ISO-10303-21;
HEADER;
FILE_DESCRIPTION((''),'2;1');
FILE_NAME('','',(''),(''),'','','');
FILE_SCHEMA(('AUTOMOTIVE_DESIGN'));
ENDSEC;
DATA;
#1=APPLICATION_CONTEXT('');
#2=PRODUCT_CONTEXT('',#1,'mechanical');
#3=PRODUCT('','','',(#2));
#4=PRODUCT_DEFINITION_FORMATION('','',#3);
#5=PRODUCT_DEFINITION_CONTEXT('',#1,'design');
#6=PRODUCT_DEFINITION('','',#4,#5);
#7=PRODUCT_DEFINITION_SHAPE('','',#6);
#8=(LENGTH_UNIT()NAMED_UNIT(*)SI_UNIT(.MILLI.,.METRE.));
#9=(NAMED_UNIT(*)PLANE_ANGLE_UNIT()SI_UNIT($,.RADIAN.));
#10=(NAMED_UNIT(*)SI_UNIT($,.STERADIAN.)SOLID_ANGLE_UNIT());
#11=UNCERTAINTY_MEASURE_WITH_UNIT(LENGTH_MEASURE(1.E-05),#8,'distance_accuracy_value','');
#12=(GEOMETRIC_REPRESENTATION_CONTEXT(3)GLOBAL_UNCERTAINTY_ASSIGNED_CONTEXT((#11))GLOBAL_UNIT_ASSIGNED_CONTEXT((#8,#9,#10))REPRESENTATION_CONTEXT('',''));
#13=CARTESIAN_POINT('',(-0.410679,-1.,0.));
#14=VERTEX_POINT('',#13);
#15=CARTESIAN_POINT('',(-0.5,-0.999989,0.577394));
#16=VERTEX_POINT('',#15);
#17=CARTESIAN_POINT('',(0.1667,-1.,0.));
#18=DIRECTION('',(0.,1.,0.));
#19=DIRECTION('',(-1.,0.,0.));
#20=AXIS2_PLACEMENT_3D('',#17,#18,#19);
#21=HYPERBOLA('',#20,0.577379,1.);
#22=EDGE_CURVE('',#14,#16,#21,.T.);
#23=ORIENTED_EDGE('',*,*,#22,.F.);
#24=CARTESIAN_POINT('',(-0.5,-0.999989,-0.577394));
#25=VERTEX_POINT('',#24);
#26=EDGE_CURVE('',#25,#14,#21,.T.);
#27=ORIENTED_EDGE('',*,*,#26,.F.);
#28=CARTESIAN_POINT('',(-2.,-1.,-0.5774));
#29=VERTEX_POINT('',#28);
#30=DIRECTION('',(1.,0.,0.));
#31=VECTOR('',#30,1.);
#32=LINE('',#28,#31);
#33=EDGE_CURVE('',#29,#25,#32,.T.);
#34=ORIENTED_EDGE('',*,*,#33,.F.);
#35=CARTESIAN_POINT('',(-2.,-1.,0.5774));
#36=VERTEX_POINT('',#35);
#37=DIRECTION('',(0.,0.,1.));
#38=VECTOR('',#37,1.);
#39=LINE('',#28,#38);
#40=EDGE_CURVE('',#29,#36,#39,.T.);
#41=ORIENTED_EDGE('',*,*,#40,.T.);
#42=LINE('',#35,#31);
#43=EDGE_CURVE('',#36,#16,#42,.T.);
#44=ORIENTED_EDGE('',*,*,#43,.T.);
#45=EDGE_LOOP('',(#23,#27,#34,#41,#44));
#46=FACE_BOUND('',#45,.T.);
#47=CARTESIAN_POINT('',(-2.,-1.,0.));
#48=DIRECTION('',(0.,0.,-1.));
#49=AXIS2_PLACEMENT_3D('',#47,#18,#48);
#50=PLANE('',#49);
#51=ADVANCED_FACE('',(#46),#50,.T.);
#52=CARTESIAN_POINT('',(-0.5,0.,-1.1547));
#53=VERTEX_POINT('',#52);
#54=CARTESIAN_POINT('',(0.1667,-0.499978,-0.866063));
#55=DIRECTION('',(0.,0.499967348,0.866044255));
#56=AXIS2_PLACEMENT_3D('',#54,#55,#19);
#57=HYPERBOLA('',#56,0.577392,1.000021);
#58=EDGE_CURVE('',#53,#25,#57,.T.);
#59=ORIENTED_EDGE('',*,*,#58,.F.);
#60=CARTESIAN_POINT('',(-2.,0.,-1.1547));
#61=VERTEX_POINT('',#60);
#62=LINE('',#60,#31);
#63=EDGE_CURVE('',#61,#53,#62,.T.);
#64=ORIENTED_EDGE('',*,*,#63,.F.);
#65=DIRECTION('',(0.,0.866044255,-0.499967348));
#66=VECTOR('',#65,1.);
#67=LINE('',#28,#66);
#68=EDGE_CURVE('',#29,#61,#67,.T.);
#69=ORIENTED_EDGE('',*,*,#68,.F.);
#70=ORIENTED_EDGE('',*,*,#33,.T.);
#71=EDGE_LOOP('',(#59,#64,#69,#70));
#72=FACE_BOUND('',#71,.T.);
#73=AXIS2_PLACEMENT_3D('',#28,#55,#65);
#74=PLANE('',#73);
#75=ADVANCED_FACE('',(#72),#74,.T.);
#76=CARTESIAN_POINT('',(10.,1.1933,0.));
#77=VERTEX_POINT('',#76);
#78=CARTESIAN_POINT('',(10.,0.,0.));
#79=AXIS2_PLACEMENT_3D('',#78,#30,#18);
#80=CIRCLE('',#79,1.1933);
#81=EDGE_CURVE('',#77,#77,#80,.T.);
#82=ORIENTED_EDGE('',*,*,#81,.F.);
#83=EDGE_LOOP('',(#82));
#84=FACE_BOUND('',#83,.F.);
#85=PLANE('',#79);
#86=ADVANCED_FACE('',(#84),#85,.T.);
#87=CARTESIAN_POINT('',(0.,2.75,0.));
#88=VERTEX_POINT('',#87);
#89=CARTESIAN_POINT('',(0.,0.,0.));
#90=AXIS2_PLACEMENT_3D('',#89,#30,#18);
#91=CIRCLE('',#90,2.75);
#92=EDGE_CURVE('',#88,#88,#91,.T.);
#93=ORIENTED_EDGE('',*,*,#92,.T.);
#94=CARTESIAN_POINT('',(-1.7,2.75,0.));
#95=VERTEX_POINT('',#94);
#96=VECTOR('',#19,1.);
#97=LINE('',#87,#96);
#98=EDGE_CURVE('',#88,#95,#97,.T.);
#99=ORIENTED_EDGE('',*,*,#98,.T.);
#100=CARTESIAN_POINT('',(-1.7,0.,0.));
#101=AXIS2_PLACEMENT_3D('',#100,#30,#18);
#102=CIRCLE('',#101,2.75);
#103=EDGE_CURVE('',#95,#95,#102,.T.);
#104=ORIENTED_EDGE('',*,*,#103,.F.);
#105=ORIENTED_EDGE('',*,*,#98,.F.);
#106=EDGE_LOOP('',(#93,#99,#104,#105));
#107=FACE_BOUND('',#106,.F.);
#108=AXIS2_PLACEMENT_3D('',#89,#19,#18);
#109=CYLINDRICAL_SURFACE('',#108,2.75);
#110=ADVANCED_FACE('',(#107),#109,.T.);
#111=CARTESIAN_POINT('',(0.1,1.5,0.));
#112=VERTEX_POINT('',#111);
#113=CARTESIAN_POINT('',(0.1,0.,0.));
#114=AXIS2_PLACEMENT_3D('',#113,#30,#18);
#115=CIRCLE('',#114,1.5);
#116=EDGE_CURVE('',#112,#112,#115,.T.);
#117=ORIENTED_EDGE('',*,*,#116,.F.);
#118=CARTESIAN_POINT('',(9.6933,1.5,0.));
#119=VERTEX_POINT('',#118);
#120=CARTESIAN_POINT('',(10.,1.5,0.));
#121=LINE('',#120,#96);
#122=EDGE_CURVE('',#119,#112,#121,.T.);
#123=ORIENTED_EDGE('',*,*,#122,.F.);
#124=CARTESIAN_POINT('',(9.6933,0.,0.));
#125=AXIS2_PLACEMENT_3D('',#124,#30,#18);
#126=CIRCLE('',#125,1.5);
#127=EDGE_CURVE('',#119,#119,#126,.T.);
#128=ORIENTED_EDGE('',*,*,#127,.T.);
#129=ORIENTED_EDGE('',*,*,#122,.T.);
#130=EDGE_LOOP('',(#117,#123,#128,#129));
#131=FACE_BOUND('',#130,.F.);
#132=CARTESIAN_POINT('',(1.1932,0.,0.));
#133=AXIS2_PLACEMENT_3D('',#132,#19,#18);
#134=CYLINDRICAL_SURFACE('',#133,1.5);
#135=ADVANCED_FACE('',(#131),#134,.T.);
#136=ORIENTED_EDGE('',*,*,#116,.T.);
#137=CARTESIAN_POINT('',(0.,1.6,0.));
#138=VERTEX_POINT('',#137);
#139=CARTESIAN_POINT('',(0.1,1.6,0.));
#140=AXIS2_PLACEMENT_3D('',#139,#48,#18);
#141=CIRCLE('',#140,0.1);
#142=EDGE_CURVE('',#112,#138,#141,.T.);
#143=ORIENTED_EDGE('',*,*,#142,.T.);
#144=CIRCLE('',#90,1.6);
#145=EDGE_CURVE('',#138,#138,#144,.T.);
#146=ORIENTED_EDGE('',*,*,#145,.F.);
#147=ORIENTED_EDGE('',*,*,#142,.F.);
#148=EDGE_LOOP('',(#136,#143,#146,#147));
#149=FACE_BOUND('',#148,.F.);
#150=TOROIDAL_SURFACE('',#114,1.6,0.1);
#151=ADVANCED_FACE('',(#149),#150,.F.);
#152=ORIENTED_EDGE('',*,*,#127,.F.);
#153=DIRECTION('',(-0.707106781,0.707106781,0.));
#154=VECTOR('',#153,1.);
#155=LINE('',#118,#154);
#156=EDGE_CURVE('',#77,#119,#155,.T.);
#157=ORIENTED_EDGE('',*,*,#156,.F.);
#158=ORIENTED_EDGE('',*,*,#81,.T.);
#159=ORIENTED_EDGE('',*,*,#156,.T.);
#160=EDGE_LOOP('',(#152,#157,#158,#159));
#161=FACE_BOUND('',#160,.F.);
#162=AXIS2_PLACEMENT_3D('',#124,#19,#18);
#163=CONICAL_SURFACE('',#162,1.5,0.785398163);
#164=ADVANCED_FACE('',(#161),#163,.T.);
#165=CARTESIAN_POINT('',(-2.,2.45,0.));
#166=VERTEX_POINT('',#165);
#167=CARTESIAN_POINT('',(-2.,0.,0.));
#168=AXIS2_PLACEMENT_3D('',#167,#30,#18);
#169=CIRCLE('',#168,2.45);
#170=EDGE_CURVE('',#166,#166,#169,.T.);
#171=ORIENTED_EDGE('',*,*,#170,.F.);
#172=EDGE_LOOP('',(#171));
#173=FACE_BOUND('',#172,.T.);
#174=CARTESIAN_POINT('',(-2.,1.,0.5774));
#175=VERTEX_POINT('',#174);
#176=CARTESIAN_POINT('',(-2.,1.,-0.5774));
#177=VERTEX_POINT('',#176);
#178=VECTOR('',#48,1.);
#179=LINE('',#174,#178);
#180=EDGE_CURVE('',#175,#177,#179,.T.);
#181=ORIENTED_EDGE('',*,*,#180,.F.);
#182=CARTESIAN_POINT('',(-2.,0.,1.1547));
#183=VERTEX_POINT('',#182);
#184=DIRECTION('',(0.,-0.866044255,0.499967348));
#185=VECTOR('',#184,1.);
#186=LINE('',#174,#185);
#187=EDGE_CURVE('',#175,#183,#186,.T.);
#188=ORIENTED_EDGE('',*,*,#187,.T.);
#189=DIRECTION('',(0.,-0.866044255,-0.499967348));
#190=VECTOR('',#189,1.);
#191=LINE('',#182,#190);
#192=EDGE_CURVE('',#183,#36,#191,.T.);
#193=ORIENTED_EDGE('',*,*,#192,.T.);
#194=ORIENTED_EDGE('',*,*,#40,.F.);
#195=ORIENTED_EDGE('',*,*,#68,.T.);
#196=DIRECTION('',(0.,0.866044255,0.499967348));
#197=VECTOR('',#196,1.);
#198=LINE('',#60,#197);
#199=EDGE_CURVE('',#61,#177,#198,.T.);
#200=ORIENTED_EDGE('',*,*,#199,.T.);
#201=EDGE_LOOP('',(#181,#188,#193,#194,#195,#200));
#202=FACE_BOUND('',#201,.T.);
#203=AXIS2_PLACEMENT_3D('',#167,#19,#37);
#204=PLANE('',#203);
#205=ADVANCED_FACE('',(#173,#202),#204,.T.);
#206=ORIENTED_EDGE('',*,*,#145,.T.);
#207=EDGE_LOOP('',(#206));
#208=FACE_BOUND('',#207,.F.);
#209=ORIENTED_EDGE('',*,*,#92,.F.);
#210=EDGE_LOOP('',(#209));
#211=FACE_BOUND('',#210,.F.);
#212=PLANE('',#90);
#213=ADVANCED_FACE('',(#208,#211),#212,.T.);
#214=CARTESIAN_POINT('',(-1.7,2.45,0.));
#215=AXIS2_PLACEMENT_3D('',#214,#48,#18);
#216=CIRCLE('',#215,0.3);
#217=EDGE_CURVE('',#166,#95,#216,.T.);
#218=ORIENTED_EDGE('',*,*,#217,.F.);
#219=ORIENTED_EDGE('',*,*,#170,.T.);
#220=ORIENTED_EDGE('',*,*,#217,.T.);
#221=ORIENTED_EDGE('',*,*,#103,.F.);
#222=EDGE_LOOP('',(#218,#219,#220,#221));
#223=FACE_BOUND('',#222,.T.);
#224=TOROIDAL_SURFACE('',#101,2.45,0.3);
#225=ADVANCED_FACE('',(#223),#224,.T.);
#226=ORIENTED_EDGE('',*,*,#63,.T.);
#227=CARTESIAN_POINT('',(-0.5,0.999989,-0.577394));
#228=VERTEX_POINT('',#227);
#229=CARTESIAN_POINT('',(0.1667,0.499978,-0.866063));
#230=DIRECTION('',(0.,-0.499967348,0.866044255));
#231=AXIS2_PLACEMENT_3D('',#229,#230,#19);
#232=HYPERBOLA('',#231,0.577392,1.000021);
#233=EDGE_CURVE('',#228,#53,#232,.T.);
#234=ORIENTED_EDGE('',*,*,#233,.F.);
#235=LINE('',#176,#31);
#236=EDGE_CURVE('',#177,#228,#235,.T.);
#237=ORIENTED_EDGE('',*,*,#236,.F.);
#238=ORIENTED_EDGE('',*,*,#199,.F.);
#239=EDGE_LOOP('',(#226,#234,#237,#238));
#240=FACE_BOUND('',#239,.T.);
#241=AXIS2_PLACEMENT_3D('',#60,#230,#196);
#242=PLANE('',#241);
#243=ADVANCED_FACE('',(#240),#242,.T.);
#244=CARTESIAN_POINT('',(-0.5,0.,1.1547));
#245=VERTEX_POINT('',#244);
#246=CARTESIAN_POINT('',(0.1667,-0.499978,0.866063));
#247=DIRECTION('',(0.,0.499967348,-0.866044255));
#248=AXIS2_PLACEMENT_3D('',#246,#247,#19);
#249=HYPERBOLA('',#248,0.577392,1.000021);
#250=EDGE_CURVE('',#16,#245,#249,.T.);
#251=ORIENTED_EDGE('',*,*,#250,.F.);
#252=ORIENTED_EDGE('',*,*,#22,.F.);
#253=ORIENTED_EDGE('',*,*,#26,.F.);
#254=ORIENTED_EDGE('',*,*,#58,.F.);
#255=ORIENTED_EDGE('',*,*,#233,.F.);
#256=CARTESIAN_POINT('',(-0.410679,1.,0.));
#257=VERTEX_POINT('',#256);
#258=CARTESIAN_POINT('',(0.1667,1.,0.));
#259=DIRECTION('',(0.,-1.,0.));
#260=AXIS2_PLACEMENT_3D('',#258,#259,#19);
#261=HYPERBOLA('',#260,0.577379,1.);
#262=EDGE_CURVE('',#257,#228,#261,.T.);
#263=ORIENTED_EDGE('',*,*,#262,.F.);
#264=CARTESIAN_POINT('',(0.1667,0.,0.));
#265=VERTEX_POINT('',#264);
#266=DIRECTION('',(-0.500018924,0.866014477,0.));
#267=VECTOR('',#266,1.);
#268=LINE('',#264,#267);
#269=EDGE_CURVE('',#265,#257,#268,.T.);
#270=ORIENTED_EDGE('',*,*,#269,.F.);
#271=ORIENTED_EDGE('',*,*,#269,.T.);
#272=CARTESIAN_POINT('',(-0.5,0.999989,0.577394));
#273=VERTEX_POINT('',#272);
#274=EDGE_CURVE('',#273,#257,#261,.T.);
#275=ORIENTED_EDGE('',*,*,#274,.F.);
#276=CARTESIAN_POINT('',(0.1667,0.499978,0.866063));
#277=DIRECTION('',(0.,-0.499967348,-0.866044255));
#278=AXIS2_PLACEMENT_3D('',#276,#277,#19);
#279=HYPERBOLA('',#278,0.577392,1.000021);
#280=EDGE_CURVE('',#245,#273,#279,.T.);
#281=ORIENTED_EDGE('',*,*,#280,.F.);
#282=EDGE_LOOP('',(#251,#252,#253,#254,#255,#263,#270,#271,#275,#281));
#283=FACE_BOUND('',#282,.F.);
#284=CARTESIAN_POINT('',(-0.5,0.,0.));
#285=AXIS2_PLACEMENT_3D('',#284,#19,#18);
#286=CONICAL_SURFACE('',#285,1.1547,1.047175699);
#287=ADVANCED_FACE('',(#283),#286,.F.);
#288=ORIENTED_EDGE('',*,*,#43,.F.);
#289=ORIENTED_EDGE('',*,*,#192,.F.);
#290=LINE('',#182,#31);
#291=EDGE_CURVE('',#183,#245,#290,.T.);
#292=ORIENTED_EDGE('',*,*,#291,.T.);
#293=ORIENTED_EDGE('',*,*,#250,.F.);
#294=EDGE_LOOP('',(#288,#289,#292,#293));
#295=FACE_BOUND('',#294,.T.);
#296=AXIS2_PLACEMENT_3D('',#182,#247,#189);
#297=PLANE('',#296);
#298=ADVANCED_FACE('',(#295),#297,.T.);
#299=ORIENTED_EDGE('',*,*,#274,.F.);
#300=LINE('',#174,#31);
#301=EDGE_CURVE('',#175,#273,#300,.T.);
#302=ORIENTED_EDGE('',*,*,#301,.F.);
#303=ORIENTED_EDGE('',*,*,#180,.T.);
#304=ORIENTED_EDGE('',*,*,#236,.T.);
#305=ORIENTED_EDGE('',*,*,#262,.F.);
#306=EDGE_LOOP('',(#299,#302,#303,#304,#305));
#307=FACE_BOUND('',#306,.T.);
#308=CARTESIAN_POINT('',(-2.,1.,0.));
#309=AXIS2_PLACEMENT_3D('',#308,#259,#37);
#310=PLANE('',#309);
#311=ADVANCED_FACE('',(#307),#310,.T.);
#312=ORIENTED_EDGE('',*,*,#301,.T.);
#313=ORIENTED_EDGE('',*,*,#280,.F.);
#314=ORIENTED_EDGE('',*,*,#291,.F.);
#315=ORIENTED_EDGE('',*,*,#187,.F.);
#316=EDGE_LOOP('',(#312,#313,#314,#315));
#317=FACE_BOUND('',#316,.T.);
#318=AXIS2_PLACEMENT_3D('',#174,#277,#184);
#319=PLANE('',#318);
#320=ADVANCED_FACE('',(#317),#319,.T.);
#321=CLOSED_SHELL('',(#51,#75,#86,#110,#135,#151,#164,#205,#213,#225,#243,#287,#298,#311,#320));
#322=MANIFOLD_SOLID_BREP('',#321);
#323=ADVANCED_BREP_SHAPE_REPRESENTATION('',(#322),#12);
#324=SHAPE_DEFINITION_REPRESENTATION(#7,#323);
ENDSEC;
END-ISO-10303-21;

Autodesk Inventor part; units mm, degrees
ref_plane "YZ Plane" through (0, 0, 0) normal (1, 0, 0) x (0, 1, 0)
ref_plane "XZ Plane" through (0, 0, 0) normal (0, 1, 0) x (-1, 0, 0)
sketch "Skizze1" plane through (0, 0, 0) normal (0, 0, 1) x (1, 0, 0)
  line L0 (0.1667, 0) -> (10, 0)
  line L1 (10, 0) -> (10, 1.5)
  line L2 (10, 1.5) -> (1.5, 1.5)
  line L3 (1.5, 1.5) -> (1.1932, 1.5)
  line L4 (1.1932, 1.5) -> (0, 1.5)
  line L5 (0, 1.5) -> (0, 2.75)
  line L6 (0, 2.75) -> (-2, 2.75)
  line L7 (-2, 2.75) -> (-2, 1.1547)
  line L8 (-2, 1.1547) -> (-0.5, 1.1547)
  line L9 (-0.5, 1.1547) -> (0.1667, 0)
  line L10 (-4.4, 0) -> (12.4, 0) projected
  line L11 (0, -0.55) -> (0, 3.3) projected
  line L12 (1.5, 1.5) -> (0, 1.5) construction
  dimension "d1" = 8.5
  dimension "d2" = 0.3068
  dimension "d3" = 2
  dimension "d4" = 1.5
  dimension "d5" = 60
  dimension "d6" = 3
  dimension "d7" = 3
  dimension "d8" = 2.3094
  dimension "d9" = 5.5
  dimension "d26" = 10
revolve "Körper" add sketch "Skizze1" angle 360 about axis through (0.1667, 0, 0) along (1, 0, 0) contours L9 L11 L4 L3 L2 L1 L0 | L9 L8 L7 L6 L5 L11
sketch "Skizze2" plane through (-2, 0, 0) normal (-1, 0, 0) x (0, 0, 1)
  circle A0 centre (0, 0) radius 1.1547 projected
  line L0 (0, -3.85) -> (0, 3.85) projected
  line L1 (-3.85, 0) -> (3.85, 0) projected
  line L2 (1.1547, 0) -> (0.5774, -1)
  line L3 (0.5774, -1) -> (-0.5774, -1)
  line L4 (-0.5774, -1) -> (-1.1547, 0)
  line L5 (-1.1547, 0) -> (-0.5774, 1)
  line L6 (-0.5774, 1) -> (0.5774, 1)
  line L7 (0.5774, 1) -> (1.1547, 0)
  point P0 (0, 0)
extrude "Loch" add sketch "Skizze2" against normal up to next contours L7 A0 | A0 L2 | L6 L0 A0 | A0 L0 L3 | L0 L6 A0 | A0 L3 L0 | L4 A0 | A0 L5
fillet "Rundung1" radius 0.3 1 edges at (-2, -2.75, 0)
thread "Gewinde" size "M3x0.5" class "6g" standard "ISO Metric profile" length 8.5
chamfer "Fase1" distance 0.3067 distance2 0.3067 1 edges at (10, -1.5, 0) measured on face at (10, -0.6587, -0.1791)
ref_plane "Work Plane1" through (29, 0, 0) normal (0, -1, 0) x (1, 0, 0)
fillet "Fillet2" radius 0.1 1 edges at (0, -1.5, 0)
equation "\"d1\" = GEL"
equation "\"d3\" = KOH"
equation "\"d4\" = INTI"
equation "\"d6\" = GD"
equation "\"d7\" = BDM"
equation "\"d8\" = 1.1547 * SW"
equation "\"d9\" = KOD"
equation "\"d26\" = NLG"
equation "\"d30\" = R"
equation "\"d17\" = RR"
equation "\"d13\" = GEL"
equation "\"d15\" = -0.5 * SPD + 0.5 * GD"
equation "\"d16\" = GUL"
equation "\"GD\" = NND"
equation "\"NLG\" = 10"
equation "\"GEL\" = 8.5"
equation "\"KOD\" = 5.5"
equation "\"KOH\" = 2"
equation "\"INTI\" = 1.5"
equation "\"GAL\" = 0.61345 * PTC"
equation "\"GUL\" = 0.61345 * PTC"
equation "\"BDM\" = NND"
equation "\"SW\" = 2"
equation "\"RR\" = 0.3"
equation "\"SPD\" = NND - 1.2269 * PTC"
equation "\"R\" = 0.1"
equation "\"TOA\" = 30deg"
equation "\"GD1\" = THREADDIA - 1.2269 * PTC"
equation "\"THREADDIA\" = 3"
equation "\"FAWI\" = 45deg"
equation "\"ANG\" = 120deg"
equation "\"PTC\" = 0.5"
equation "\"NND\" = 3"
equation "\"E0\" = 1.155 * SW"
properties part number "DIN 7984 - M3 x 10" material "Stahl, weich"
